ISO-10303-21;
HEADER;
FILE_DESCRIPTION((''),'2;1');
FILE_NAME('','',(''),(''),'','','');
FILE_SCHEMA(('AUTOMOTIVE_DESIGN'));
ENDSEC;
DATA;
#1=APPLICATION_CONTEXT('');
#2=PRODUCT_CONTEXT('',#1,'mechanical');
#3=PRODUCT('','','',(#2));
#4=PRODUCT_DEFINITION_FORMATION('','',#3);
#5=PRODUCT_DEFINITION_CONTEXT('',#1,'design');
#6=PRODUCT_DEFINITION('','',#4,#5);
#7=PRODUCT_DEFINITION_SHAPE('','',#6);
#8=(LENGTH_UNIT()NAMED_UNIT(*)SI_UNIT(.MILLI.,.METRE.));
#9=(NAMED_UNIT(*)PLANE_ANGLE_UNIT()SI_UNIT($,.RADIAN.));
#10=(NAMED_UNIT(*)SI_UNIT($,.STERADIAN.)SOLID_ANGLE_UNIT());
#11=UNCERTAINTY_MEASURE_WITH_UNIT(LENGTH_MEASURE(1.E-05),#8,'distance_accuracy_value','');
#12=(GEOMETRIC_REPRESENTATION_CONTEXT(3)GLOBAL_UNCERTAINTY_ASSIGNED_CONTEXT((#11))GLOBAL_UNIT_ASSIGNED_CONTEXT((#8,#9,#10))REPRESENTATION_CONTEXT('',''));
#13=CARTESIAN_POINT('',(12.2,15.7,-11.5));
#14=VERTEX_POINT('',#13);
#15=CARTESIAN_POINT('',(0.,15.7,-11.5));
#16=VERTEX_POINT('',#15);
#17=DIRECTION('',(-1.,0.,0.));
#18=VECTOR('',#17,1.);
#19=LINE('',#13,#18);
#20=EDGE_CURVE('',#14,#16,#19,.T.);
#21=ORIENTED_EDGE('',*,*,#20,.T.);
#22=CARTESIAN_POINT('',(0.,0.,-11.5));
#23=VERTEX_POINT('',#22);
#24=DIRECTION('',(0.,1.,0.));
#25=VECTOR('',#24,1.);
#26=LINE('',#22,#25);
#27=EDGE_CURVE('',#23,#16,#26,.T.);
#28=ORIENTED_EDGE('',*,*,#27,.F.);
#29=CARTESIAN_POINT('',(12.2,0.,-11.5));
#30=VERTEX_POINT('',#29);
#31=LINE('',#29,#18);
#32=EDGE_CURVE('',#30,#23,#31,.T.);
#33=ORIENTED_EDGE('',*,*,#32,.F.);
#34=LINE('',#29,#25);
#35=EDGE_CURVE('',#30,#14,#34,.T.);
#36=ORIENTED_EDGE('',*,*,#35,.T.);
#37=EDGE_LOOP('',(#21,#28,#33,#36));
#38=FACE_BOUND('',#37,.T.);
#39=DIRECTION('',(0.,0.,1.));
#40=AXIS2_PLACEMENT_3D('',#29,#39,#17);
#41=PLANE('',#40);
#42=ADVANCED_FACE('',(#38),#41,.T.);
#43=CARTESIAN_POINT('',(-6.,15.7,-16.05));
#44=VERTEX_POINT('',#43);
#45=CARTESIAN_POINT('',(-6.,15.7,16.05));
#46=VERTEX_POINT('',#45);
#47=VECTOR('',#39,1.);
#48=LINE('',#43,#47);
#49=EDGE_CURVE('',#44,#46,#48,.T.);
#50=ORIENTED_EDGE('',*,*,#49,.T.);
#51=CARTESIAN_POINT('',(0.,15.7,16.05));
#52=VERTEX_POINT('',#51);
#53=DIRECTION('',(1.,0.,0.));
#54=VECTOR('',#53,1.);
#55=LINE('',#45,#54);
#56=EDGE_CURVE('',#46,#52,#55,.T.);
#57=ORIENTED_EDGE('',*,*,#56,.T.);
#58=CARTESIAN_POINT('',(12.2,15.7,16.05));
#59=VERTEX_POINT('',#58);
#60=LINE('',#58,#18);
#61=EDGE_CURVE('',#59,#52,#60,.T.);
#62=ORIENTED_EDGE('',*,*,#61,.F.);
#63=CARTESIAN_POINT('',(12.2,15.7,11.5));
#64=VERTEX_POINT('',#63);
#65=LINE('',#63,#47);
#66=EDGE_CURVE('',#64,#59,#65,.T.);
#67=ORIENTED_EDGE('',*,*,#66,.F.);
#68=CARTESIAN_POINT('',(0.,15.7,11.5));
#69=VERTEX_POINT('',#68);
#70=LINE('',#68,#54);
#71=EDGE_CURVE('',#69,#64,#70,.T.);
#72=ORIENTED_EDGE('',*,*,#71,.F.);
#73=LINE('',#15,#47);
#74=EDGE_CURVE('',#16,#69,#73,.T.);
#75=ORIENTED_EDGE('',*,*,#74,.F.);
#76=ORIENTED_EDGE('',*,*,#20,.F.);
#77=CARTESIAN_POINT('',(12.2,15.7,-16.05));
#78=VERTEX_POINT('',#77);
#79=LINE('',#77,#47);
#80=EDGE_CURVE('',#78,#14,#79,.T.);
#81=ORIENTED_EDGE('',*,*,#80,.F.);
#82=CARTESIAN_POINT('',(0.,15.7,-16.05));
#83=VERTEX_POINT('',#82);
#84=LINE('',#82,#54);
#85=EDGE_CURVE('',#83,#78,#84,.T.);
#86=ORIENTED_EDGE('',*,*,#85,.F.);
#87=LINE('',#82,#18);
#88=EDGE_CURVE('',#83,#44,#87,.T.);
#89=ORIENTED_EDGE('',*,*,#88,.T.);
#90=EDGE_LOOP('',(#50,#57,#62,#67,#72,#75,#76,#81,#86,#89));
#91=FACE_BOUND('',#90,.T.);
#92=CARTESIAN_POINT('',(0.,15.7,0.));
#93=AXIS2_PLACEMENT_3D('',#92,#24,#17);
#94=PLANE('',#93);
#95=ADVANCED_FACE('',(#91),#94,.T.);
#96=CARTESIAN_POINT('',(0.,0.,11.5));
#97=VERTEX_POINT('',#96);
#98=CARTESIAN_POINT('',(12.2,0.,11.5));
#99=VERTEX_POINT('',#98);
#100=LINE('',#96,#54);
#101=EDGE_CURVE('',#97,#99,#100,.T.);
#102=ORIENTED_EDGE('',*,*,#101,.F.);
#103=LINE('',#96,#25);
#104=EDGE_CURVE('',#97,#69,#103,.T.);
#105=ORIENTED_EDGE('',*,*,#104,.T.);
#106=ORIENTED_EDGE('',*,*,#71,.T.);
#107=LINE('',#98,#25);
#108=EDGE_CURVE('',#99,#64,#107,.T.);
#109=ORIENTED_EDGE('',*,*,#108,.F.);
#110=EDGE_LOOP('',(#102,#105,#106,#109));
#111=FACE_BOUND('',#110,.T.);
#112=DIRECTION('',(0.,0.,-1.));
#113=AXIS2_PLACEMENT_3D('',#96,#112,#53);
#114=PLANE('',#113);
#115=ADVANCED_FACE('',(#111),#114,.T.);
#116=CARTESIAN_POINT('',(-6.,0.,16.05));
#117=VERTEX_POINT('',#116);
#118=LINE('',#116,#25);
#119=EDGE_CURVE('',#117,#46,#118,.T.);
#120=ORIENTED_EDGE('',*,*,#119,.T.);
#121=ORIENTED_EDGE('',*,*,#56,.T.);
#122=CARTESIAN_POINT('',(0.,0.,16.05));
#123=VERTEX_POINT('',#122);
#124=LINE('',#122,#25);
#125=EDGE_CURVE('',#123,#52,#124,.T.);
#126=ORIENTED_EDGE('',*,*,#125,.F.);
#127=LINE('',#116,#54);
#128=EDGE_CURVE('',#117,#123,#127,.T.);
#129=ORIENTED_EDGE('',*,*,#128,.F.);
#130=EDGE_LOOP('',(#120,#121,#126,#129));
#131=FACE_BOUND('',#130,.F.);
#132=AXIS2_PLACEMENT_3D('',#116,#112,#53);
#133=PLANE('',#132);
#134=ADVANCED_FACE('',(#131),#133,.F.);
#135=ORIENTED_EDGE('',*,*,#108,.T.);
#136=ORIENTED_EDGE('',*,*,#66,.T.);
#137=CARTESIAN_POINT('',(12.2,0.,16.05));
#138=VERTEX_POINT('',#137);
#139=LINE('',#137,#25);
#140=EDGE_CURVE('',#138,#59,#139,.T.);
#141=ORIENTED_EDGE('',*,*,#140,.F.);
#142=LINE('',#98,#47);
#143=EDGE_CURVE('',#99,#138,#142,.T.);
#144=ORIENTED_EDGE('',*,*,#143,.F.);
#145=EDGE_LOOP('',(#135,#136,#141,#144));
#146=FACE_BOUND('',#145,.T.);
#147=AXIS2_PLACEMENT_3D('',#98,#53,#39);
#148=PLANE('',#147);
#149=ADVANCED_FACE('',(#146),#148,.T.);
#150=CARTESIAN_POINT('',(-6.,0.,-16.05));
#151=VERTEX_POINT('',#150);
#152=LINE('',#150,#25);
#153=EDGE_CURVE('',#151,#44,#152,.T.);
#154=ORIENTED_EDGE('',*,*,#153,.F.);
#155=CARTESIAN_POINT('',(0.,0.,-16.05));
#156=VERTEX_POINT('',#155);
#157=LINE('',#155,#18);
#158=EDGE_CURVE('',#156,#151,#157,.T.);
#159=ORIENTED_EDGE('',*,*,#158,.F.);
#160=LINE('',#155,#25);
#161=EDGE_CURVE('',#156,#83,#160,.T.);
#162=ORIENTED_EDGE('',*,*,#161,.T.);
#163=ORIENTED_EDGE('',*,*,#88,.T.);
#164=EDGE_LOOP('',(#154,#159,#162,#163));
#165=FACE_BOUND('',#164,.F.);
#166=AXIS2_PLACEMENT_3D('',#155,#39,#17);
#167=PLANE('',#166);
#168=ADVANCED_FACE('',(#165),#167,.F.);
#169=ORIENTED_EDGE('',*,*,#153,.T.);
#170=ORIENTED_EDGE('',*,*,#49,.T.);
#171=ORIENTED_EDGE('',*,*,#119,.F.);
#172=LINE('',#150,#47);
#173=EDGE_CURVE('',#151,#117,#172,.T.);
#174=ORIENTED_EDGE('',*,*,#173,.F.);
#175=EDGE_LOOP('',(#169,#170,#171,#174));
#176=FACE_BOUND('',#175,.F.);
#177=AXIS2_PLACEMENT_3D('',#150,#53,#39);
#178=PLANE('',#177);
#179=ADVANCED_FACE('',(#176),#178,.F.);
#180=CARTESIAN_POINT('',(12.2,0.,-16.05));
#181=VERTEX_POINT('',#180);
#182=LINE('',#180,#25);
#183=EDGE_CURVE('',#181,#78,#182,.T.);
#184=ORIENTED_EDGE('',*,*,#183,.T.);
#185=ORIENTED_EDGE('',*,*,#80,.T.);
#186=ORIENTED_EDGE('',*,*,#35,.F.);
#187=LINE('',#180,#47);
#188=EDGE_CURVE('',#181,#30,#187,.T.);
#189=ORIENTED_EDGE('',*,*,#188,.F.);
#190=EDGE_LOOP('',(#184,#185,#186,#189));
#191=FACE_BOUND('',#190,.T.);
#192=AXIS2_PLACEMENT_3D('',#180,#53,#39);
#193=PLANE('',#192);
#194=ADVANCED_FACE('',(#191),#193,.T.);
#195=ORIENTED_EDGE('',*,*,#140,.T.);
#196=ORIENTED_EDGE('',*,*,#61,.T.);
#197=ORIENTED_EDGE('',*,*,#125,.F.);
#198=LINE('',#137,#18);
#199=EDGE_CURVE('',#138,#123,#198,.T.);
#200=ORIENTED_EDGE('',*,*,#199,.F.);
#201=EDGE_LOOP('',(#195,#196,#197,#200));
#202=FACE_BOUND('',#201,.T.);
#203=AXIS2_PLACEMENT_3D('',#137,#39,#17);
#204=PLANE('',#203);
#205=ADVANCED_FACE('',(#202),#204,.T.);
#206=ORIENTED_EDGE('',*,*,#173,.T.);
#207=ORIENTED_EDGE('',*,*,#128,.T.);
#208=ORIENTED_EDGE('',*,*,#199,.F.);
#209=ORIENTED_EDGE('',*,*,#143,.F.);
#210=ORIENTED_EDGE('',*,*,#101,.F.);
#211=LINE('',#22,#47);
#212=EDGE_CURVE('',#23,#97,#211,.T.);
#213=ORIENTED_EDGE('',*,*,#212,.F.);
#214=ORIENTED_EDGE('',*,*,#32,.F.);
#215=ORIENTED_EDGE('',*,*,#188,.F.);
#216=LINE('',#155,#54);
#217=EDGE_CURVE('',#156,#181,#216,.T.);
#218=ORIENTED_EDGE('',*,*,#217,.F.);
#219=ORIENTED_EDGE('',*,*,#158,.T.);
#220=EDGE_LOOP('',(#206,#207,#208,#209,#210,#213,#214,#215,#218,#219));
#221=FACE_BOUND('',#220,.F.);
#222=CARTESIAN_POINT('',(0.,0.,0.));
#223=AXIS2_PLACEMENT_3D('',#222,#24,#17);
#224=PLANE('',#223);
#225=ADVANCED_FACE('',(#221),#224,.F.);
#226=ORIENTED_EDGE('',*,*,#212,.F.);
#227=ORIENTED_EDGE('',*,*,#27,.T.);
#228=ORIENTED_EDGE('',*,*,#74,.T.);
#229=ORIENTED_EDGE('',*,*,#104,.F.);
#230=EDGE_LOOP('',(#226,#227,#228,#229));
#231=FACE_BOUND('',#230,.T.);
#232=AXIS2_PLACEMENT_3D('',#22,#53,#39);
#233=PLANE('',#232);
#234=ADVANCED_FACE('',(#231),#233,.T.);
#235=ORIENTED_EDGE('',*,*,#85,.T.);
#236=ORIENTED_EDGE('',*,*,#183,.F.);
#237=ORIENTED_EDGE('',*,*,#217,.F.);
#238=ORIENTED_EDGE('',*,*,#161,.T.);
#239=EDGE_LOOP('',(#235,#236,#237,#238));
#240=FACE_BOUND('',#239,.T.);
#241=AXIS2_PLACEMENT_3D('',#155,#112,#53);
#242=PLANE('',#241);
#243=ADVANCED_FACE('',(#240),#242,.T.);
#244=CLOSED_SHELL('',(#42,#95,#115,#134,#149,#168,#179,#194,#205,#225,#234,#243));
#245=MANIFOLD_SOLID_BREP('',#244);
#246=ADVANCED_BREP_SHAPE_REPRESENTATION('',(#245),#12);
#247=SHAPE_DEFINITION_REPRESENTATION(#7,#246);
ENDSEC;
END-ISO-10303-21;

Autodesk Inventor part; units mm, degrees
ref_plane "YZ Plane" through (0, 0, 0) normal (1, 0, 0) x (0, 1, 0)
ref_plane "XZ Plane" through (0, 0, 0) normal (0, 1, 0) x (-1, 0, 0)
ref_plane "XY Plane" through (0, 0, 0) normal (0, 0, 1) x (1, 0, 0)
sketch "Sketch1" plane through (0, 0, 0) normal (0, 1, 0) x (-1, 0, 0)
  line L0 (0, -11.5) -> (0, 11.5) construction
  line L1 (0, -16.05) -> (0, 16.05) construction
  line L2 (0, -16.05) -> (-12.2, -16.05)
  line L3 (-12.2, -16.05) -> (-12.2, -11.5)
  line L4 (-12.2, -11.5) -> (0, -11.5)
  line L5 (0, -11.5) -> (0, -16.05) construction
  line L6 (0, 11.5) -> (-12.2, 11.5)
  line L7 (-12.2, 11.5) -> (-12.2, 16.05)
  line L8 (-12.2, 16.05) -> (0, 16.05)
  line L9 (0, 16.05) -> (0, 11.5) construction
  line L10 (0, -16.05) -> (6, -16.05)
  line L11 (6, -16.05) -> (6, 16.05)
  line L12 (6, 16.05) -> (0, 16.05)
  line L13 (0, -11.5) -> (0, 11.5)
  point P0 (0, 0)
  point P1 (0, 0)
  dimension "d0" = 23
  dimension "d1" = 32.1
  dimension "d2" = 12.2
  dimension "d3" = 6
extrude "Extrusion1" add sketch "Sketch1" along normal blind 15.7
sketch "Sketch2" plane through (12.2, 0, -16.05) normal (0, 0, -1) x (-1, 0, 0)
  line L0 (18.2, 0) -> (18.2, 15.7) projected
  line L1 (18.2, 9.2581) -> (21.2, 10.35)
  line L2 (21.2, 10.35) -> (21.2, 5.35)
  line L3 (21.2, 5.35) -> (18.2, 6.4419)
  line L4 (18.2, 7.85) -> (21.2, 7.85) construction
  point P0 (12.2, 0)
  dimension "d6" = 3
  dimension "d7" = 70
  dimension "d8" = 5
properties part number "Soporte Servo SG90"
